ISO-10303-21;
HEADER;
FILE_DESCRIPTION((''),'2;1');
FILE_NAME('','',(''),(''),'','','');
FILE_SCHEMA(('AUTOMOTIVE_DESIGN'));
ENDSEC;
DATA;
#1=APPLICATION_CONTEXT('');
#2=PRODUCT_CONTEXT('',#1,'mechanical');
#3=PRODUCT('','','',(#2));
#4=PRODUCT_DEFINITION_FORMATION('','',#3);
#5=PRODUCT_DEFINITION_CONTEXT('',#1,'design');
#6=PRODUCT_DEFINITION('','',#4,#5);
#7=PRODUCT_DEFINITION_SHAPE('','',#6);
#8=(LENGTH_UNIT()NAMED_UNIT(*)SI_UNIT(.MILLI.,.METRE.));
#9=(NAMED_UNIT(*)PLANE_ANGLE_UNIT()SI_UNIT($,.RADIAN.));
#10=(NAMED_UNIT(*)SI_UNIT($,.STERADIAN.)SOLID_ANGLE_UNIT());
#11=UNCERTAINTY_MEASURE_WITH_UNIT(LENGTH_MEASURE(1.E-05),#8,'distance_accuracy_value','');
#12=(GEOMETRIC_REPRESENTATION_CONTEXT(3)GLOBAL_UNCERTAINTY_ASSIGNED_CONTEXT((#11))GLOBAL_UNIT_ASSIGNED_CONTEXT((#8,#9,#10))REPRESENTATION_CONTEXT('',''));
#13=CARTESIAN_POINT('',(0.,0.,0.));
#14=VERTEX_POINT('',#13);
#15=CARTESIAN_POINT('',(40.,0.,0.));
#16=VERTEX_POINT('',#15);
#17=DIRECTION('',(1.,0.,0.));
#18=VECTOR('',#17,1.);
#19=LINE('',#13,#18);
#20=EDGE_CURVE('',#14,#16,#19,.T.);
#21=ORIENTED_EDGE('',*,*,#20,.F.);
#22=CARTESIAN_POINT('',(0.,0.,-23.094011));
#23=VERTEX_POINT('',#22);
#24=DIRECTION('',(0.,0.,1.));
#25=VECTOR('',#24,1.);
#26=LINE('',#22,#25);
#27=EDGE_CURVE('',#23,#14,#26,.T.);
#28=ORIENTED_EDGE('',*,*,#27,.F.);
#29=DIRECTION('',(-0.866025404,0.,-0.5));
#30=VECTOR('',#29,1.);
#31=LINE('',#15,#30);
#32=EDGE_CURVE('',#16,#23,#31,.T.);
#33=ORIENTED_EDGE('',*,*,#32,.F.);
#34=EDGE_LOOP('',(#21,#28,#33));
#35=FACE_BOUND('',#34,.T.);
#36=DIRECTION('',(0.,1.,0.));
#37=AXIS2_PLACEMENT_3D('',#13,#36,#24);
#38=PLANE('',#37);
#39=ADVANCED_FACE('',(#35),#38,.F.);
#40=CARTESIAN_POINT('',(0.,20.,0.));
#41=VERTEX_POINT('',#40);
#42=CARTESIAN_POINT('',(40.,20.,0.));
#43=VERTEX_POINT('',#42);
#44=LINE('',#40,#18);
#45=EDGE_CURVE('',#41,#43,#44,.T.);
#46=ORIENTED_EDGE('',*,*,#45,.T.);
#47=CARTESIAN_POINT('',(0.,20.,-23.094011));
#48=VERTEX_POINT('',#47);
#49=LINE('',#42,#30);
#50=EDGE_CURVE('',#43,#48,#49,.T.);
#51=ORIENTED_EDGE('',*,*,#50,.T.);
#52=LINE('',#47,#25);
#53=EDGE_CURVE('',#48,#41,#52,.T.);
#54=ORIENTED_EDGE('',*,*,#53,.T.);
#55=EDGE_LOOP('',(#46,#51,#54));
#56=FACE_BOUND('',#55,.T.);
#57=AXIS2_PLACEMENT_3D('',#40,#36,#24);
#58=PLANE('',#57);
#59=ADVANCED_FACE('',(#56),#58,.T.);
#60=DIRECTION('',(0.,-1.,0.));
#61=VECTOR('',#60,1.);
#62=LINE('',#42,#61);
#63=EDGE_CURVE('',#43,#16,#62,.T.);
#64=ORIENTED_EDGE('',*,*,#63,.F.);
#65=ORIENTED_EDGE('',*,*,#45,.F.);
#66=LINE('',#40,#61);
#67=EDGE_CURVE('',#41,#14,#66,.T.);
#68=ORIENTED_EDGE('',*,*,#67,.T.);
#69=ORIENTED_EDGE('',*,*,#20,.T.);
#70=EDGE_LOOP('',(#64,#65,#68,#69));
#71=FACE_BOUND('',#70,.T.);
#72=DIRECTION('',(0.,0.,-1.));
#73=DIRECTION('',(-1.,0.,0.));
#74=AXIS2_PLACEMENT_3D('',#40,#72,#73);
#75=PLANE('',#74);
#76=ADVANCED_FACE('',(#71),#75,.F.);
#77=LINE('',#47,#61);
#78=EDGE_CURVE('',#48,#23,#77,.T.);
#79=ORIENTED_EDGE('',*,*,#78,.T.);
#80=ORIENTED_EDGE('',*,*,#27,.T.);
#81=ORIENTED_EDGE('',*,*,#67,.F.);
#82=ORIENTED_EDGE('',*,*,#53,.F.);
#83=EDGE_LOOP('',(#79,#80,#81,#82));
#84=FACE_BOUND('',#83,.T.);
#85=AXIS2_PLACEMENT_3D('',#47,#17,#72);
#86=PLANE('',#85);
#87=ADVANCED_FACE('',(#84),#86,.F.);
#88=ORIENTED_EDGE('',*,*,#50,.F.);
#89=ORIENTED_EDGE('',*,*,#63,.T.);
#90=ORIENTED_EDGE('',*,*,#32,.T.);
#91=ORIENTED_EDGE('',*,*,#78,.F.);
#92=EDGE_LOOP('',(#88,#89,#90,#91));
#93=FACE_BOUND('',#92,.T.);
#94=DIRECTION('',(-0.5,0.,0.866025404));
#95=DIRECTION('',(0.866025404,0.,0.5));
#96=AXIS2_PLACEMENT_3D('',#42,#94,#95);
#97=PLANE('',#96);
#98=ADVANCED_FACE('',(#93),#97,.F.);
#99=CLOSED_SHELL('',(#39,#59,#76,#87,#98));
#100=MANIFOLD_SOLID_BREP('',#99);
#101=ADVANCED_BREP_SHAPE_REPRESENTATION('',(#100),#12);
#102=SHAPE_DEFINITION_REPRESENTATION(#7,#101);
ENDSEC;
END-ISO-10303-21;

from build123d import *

# Parameters (mm, degrees)
BOSS_EXTRUDE1_DEPTH = 20


with BuildPart() as part:
    # Sketch1 → Boss-Extrude1 (new body)
    with BuildSketch(Plane(origin=(0, 0, 0), x_dir=(1, 0, 0), z_dir=(0, 1, 0))):
        Polygon((0, 0), (40, 0), (0, 23.094010768), align=None)
    extrude(amount=BOSS_EXTRUDE1_DEPTH)


solid = part.part
